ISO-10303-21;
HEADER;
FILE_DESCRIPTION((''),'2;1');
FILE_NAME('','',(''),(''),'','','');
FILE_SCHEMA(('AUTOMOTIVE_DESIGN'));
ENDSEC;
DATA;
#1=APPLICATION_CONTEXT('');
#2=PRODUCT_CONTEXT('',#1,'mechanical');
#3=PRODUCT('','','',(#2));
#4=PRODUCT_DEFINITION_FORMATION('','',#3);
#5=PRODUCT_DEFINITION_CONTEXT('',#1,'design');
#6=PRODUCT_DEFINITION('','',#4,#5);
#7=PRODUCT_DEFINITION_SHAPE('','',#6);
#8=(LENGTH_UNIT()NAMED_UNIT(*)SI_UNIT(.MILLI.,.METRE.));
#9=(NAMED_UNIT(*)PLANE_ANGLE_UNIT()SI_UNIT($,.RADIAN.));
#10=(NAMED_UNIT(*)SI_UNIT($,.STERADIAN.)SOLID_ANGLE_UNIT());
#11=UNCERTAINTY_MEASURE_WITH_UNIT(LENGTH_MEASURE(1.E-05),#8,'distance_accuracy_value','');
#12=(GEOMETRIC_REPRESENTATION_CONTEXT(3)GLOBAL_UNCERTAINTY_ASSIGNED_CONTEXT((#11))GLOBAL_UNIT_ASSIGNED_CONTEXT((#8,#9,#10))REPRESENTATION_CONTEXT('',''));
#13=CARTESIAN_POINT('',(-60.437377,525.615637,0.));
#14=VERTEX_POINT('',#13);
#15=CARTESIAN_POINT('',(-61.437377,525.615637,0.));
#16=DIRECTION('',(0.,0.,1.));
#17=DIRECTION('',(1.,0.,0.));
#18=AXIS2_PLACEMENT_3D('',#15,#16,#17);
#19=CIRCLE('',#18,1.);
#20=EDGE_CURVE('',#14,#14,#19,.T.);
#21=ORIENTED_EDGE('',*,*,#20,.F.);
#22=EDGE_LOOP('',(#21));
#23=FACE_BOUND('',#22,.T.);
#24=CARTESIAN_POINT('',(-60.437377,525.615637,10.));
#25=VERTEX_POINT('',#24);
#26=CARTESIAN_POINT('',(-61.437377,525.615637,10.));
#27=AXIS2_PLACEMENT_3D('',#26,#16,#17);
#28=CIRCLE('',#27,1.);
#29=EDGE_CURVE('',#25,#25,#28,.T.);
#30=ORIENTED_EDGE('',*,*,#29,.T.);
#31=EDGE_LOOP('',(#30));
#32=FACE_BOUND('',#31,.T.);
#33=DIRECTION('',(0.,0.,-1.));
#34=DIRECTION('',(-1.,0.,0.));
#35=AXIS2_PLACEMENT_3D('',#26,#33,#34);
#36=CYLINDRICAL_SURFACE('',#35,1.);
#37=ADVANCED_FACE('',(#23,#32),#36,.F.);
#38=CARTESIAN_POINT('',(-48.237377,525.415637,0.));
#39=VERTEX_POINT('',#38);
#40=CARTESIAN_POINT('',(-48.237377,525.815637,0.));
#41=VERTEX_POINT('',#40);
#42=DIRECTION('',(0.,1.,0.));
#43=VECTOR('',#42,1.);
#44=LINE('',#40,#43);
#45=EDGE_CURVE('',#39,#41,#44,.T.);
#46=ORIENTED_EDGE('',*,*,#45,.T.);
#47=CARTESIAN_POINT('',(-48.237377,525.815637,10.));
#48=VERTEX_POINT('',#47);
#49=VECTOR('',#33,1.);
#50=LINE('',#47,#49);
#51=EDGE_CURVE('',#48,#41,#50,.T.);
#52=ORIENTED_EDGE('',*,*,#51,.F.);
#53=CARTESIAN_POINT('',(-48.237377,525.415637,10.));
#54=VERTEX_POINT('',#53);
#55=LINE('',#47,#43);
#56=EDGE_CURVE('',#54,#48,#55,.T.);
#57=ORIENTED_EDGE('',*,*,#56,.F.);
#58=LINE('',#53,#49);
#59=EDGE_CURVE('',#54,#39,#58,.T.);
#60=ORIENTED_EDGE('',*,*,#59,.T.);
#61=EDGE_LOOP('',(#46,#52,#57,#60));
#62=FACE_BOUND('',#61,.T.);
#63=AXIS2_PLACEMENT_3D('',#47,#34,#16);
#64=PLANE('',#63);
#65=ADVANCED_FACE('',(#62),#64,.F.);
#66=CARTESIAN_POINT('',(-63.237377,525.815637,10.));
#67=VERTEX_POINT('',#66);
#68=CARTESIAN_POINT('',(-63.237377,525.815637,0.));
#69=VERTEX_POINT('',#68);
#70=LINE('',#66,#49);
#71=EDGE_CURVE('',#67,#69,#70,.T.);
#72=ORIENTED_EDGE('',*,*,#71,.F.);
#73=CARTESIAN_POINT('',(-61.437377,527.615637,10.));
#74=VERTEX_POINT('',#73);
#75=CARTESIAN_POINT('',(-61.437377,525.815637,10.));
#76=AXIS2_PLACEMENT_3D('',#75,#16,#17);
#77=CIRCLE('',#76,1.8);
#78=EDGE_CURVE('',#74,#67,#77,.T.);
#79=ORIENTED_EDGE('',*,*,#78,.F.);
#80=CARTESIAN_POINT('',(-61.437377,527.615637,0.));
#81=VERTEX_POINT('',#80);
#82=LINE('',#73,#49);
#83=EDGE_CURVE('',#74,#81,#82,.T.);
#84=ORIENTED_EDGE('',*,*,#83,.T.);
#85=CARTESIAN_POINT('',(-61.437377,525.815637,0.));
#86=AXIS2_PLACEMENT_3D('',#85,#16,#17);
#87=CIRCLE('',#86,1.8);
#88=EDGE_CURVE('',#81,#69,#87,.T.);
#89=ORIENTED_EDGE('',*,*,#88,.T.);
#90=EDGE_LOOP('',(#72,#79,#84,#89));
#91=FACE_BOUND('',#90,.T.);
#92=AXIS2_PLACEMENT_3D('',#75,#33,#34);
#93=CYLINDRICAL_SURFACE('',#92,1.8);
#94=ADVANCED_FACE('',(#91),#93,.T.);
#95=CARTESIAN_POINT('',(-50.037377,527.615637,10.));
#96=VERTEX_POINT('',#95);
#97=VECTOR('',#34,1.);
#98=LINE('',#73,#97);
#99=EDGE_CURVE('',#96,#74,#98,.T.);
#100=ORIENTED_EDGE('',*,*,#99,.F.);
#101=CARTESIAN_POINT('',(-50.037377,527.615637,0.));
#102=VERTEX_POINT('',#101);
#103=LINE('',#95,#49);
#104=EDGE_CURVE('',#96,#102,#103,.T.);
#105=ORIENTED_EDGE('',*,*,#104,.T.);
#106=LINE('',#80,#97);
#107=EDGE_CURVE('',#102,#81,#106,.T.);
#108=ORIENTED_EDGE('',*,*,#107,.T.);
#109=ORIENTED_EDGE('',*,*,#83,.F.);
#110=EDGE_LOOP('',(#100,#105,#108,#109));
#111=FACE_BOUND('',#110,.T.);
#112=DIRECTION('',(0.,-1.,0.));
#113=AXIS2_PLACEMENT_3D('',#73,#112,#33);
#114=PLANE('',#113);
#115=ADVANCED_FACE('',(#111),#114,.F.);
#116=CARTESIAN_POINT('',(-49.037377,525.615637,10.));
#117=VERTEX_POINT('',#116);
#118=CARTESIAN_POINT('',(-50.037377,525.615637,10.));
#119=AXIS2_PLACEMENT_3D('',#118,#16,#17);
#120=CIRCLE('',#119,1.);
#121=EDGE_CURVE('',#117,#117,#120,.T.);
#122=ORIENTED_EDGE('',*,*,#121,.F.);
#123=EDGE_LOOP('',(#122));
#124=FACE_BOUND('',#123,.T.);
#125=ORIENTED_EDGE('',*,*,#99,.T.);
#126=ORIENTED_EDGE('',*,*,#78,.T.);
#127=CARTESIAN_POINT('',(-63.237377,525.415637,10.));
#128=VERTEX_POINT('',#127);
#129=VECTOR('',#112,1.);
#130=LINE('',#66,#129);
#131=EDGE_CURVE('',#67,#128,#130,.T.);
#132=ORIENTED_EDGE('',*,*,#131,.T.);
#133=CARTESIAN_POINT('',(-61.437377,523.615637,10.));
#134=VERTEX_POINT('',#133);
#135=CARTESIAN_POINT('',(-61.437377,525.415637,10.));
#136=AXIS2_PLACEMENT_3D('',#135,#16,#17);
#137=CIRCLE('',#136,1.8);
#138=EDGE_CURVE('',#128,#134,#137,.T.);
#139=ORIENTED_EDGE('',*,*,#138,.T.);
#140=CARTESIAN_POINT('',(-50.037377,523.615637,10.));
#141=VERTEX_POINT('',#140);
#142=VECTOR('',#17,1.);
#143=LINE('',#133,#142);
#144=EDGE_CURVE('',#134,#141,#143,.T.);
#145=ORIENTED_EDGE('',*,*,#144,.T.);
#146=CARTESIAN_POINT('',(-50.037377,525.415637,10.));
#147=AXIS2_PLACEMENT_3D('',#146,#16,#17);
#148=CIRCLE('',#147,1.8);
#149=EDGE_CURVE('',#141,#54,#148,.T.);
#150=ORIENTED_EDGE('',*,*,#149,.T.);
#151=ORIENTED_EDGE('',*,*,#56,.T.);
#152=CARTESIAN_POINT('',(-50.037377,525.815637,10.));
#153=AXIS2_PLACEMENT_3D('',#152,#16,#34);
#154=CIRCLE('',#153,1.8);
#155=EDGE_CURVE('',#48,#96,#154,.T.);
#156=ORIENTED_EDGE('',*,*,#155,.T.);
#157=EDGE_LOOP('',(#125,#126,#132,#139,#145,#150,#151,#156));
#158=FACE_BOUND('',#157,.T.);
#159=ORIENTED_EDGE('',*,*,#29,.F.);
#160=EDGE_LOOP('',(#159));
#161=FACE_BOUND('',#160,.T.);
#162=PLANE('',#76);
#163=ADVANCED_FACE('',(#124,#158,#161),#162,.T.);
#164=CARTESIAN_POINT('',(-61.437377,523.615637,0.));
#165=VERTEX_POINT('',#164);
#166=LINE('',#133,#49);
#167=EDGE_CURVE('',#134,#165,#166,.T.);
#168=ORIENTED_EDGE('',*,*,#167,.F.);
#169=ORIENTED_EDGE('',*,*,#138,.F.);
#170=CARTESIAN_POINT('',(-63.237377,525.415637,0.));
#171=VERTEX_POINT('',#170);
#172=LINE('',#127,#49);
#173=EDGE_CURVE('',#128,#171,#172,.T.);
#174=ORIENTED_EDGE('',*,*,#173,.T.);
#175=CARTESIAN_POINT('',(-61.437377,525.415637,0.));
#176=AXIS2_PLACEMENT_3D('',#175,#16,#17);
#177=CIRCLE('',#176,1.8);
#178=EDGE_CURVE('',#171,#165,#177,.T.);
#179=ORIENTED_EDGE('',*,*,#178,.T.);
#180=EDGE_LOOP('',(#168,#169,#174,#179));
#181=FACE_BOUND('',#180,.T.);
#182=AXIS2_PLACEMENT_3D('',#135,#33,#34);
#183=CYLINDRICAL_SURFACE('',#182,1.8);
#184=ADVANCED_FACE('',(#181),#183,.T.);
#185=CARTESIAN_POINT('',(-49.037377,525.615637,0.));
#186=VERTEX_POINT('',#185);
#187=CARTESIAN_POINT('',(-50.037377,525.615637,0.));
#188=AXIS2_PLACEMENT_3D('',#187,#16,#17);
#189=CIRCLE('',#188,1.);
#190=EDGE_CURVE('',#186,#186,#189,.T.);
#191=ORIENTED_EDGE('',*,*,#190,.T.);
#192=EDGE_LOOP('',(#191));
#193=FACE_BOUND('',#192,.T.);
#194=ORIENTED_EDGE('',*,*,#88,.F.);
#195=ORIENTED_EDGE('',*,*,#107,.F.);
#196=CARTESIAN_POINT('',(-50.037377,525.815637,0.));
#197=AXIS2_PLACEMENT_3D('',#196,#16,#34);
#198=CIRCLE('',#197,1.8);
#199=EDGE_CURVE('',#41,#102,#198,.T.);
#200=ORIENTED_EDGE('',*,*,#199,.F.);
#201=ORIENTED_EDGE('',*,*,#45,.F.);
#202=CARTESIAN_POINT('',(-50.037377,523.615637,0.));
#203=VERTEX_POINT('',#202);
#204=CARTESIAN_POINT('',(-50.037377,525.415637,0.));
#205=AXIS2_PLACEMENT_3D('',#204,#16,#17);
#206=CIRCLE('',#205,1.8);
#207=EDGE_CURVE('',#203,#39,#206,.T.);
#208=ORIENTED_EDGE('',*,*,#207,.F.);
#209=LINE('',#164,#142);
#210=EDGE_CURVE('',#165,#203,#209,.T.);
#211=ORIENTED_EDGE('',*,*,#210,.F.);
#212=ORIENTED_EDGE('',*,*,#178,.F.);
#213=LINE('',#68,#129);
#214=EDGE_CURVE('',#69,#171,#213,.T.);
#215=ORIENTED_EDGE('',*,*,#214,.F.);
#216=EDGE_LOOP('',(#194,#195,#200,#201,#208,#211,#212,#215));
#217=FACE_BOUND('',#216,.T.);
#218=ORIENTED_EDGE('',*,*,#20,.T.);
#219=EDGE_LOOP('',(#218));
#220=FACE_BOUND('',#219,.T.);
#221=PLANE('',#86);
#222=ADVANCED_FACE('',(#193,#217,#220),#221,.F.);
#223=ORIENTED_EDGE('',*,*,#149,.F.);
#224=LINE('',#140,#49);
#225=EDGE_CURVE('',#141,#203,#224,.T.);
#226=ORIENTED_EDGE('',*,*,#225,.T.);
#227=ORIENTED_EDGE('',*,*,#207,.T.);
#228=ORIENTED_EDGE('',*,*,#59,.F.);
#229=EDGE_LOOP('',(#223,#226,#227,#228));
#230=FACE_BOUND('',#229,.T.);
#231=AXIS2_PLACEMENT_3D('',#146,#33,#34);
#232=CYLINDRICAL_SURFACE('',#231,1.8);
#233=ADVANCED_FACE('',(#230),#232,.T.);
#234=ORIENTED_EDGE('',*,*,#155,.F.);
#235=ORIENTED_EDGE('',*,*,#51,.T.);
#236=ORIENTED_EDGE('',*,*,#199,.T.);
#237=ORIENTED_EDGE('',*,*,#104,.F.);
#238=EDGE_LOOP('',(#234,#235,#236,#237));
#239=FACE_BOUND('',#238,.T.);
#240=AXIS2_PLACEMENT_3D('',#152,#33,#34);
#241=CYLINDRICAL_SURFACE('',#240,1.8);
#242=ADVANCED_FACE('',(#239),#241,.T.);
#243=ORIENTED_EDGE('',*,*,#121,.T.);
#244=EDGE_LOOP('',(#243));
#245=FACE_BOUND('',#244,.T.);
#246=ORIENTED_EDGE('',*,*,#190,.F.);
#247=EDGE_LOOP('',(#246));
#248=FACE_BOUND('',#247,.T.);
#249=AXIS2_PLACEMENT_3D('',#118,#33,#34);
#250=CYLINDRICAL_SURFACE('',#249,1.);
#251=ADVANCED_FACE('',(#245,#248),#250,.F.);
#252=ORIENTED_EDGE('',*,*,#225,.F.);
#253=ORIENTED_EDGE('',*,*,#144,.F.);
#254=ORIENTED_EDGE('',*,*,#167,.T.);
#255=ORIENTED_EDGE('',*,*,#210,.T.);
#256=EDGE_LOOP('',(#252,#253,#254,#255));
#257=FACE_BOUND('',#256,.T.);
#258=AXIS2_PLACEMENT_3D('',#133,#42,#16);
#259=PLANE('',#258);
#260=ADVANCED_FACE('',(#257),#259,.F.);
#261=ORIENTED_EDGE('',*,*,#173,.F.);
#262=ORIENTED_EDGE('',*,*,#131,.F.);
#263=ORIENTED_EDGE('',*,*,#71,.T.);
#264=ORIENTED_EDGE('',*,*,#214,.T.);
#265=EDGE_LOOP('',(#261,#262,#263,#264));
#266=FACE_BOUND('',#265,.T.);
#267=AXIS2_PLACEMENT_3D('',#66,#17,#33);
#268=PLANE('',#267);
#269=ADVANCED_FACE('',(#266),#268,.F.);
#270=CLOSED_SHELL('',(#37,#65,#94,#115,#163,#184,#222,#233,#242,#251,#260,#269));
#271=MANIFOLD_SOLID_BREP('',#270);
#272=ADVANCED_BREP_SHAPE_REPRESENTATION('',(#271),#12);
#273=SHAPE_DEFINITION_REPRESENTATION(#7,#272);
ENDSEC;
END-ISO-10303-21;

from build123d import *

# Parameters (mm, degrees)
SKETCH1_R           = 1
BOSS_EXTRUDE1_DEPTH = 10


with BuildPart() as part:
    # Sketch1 → Boss-Extrude1 (new body)
    with BuildSketch(Plane.XY):
        with BuildLine():
            Line((-61.437376587, 527.615636663), (-50.037376587, 527.615636663))
            ThreePointArc((-50.037376587, 527.615636663), (-48.764584381, 527.088428869), (-48.237376587, 525.815636663))
            Line((-48.237376587, 525.815636663), (-48.237376587, 525.415636663))
            ThreePointArc((-48.237376587, 525.415636663), (-48.764584381, 524.142844457), (-50.037376587, 523.615636663))
            Line((-50.037376587, 523.615636663), (-61.437376587, 523.615636663))
            ThreePointArc((-61.437376587, 523.615636663), (-62.710168793, 524.142844457), (-63.237376587, 525.415636663))
            Line((-63.237376587, 525.415636663), (-63.237376587, 525.815636663))
            ThreePointArc((-63.237376587, 525.815636663), (-62.710168793, 527.088428869), (-61.437376587, 527.615636663))
        make_face()
        with Locations((-61.437376587, 525.615636663)):
            Circle(SKETCH1_R, mode=Mode.SUBTRACT)
        with Locations((-50.037376587, 525.615636663)):
            Circle(SKETCH1_R, mode=Mode.SUBTRACT)
    extrude(amount=BOSS_EXTRUDE1_DEPTH)


solid = part.part
